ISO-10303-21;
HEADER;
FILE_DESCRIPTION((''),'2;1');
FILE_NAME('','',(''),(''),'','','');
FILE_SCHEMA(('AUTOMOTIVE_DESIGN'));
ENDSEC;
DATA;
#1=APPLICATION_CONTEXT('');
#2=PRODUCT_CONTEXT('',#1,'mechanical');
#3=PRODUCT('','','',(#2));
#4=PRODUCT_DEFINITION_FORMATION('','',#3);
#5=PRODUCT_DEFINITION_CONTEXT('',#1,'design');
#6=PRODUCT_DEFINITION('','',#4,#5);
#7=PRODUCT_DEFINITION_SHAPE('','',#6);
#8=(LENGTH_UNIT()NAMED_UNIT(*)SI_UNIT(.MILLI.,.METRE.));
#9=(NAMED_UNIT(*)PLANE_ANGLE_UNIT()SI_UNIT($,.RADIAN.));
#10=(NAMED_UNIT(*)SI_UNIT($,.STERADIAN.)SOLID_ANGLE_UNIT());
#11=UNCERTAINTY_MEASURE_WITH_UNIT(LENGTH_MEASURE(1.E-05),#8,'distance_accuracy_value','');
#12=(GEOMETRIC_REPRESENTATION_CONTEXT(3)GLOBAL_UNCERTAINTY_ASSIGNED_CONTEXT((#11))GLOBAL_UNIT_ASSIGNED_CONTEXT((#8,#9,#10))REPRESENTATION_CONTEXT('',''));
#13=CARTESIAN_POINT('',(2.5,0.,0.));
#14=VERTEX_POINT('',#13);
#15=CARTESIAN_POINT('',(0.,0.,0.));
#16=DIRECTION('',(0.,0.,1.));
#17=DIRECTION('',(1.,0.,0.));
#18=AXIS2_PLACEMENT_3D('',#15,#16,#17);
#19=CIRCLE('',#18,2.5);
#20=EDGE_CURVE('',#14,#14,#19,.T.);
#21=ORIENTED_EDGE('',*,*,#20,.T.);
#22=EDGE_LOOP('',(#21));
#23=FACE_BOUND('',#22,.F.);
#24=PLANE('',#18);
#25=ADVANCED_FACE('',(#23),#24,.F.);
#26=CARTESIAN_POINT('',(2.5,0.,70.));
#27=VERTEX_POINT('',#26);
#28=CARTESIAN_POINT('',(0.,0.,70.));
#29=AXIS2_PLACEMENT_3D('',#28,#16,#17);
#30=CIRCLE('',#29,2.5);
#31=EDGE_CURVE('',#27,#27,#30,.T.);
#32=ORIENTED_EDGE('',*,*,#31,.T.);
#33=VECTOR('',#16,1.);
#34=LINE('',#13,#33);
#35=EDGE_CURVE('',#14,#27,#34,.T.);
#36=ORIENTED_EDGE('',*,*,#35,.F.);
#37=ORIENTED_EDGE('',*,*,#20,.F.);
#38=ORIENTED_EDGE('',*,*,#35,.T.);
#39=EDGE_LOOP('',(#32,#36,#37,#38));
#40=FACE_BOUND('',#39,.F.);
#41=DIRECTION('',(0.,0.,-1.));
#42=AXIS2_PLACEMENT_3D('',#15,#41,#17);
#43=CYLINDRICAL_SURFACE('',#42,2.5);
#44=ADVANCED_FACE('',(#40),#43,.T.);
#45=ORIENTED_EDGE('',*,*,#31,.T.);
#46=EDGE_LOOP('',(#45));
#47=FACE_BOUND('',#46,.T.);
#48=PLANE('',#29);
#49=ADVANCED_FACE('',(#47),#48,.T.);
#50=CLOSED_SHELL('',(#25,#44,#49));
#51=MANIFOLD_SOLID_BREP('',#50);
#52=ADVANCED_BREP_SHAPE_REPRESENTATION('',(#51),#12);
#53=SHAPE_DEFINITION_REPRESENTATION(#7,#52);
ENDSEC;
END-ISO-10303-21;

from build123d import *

# Parameters (mm, degrees)
SKETCH_1_R      = 2.5
EXTRUDE_1_DEPTH = 70


with BuildPart() as part:
    # ｽｹｯﾁ1 → ﾎﾞｽ - 押し出し1 (new body)
    with BuildSketch(Plane.XY):
        Circle(SKETCH_1_R)
    extrude(amount=EXTRUDE_1_DEPTH)


solid = part.part
